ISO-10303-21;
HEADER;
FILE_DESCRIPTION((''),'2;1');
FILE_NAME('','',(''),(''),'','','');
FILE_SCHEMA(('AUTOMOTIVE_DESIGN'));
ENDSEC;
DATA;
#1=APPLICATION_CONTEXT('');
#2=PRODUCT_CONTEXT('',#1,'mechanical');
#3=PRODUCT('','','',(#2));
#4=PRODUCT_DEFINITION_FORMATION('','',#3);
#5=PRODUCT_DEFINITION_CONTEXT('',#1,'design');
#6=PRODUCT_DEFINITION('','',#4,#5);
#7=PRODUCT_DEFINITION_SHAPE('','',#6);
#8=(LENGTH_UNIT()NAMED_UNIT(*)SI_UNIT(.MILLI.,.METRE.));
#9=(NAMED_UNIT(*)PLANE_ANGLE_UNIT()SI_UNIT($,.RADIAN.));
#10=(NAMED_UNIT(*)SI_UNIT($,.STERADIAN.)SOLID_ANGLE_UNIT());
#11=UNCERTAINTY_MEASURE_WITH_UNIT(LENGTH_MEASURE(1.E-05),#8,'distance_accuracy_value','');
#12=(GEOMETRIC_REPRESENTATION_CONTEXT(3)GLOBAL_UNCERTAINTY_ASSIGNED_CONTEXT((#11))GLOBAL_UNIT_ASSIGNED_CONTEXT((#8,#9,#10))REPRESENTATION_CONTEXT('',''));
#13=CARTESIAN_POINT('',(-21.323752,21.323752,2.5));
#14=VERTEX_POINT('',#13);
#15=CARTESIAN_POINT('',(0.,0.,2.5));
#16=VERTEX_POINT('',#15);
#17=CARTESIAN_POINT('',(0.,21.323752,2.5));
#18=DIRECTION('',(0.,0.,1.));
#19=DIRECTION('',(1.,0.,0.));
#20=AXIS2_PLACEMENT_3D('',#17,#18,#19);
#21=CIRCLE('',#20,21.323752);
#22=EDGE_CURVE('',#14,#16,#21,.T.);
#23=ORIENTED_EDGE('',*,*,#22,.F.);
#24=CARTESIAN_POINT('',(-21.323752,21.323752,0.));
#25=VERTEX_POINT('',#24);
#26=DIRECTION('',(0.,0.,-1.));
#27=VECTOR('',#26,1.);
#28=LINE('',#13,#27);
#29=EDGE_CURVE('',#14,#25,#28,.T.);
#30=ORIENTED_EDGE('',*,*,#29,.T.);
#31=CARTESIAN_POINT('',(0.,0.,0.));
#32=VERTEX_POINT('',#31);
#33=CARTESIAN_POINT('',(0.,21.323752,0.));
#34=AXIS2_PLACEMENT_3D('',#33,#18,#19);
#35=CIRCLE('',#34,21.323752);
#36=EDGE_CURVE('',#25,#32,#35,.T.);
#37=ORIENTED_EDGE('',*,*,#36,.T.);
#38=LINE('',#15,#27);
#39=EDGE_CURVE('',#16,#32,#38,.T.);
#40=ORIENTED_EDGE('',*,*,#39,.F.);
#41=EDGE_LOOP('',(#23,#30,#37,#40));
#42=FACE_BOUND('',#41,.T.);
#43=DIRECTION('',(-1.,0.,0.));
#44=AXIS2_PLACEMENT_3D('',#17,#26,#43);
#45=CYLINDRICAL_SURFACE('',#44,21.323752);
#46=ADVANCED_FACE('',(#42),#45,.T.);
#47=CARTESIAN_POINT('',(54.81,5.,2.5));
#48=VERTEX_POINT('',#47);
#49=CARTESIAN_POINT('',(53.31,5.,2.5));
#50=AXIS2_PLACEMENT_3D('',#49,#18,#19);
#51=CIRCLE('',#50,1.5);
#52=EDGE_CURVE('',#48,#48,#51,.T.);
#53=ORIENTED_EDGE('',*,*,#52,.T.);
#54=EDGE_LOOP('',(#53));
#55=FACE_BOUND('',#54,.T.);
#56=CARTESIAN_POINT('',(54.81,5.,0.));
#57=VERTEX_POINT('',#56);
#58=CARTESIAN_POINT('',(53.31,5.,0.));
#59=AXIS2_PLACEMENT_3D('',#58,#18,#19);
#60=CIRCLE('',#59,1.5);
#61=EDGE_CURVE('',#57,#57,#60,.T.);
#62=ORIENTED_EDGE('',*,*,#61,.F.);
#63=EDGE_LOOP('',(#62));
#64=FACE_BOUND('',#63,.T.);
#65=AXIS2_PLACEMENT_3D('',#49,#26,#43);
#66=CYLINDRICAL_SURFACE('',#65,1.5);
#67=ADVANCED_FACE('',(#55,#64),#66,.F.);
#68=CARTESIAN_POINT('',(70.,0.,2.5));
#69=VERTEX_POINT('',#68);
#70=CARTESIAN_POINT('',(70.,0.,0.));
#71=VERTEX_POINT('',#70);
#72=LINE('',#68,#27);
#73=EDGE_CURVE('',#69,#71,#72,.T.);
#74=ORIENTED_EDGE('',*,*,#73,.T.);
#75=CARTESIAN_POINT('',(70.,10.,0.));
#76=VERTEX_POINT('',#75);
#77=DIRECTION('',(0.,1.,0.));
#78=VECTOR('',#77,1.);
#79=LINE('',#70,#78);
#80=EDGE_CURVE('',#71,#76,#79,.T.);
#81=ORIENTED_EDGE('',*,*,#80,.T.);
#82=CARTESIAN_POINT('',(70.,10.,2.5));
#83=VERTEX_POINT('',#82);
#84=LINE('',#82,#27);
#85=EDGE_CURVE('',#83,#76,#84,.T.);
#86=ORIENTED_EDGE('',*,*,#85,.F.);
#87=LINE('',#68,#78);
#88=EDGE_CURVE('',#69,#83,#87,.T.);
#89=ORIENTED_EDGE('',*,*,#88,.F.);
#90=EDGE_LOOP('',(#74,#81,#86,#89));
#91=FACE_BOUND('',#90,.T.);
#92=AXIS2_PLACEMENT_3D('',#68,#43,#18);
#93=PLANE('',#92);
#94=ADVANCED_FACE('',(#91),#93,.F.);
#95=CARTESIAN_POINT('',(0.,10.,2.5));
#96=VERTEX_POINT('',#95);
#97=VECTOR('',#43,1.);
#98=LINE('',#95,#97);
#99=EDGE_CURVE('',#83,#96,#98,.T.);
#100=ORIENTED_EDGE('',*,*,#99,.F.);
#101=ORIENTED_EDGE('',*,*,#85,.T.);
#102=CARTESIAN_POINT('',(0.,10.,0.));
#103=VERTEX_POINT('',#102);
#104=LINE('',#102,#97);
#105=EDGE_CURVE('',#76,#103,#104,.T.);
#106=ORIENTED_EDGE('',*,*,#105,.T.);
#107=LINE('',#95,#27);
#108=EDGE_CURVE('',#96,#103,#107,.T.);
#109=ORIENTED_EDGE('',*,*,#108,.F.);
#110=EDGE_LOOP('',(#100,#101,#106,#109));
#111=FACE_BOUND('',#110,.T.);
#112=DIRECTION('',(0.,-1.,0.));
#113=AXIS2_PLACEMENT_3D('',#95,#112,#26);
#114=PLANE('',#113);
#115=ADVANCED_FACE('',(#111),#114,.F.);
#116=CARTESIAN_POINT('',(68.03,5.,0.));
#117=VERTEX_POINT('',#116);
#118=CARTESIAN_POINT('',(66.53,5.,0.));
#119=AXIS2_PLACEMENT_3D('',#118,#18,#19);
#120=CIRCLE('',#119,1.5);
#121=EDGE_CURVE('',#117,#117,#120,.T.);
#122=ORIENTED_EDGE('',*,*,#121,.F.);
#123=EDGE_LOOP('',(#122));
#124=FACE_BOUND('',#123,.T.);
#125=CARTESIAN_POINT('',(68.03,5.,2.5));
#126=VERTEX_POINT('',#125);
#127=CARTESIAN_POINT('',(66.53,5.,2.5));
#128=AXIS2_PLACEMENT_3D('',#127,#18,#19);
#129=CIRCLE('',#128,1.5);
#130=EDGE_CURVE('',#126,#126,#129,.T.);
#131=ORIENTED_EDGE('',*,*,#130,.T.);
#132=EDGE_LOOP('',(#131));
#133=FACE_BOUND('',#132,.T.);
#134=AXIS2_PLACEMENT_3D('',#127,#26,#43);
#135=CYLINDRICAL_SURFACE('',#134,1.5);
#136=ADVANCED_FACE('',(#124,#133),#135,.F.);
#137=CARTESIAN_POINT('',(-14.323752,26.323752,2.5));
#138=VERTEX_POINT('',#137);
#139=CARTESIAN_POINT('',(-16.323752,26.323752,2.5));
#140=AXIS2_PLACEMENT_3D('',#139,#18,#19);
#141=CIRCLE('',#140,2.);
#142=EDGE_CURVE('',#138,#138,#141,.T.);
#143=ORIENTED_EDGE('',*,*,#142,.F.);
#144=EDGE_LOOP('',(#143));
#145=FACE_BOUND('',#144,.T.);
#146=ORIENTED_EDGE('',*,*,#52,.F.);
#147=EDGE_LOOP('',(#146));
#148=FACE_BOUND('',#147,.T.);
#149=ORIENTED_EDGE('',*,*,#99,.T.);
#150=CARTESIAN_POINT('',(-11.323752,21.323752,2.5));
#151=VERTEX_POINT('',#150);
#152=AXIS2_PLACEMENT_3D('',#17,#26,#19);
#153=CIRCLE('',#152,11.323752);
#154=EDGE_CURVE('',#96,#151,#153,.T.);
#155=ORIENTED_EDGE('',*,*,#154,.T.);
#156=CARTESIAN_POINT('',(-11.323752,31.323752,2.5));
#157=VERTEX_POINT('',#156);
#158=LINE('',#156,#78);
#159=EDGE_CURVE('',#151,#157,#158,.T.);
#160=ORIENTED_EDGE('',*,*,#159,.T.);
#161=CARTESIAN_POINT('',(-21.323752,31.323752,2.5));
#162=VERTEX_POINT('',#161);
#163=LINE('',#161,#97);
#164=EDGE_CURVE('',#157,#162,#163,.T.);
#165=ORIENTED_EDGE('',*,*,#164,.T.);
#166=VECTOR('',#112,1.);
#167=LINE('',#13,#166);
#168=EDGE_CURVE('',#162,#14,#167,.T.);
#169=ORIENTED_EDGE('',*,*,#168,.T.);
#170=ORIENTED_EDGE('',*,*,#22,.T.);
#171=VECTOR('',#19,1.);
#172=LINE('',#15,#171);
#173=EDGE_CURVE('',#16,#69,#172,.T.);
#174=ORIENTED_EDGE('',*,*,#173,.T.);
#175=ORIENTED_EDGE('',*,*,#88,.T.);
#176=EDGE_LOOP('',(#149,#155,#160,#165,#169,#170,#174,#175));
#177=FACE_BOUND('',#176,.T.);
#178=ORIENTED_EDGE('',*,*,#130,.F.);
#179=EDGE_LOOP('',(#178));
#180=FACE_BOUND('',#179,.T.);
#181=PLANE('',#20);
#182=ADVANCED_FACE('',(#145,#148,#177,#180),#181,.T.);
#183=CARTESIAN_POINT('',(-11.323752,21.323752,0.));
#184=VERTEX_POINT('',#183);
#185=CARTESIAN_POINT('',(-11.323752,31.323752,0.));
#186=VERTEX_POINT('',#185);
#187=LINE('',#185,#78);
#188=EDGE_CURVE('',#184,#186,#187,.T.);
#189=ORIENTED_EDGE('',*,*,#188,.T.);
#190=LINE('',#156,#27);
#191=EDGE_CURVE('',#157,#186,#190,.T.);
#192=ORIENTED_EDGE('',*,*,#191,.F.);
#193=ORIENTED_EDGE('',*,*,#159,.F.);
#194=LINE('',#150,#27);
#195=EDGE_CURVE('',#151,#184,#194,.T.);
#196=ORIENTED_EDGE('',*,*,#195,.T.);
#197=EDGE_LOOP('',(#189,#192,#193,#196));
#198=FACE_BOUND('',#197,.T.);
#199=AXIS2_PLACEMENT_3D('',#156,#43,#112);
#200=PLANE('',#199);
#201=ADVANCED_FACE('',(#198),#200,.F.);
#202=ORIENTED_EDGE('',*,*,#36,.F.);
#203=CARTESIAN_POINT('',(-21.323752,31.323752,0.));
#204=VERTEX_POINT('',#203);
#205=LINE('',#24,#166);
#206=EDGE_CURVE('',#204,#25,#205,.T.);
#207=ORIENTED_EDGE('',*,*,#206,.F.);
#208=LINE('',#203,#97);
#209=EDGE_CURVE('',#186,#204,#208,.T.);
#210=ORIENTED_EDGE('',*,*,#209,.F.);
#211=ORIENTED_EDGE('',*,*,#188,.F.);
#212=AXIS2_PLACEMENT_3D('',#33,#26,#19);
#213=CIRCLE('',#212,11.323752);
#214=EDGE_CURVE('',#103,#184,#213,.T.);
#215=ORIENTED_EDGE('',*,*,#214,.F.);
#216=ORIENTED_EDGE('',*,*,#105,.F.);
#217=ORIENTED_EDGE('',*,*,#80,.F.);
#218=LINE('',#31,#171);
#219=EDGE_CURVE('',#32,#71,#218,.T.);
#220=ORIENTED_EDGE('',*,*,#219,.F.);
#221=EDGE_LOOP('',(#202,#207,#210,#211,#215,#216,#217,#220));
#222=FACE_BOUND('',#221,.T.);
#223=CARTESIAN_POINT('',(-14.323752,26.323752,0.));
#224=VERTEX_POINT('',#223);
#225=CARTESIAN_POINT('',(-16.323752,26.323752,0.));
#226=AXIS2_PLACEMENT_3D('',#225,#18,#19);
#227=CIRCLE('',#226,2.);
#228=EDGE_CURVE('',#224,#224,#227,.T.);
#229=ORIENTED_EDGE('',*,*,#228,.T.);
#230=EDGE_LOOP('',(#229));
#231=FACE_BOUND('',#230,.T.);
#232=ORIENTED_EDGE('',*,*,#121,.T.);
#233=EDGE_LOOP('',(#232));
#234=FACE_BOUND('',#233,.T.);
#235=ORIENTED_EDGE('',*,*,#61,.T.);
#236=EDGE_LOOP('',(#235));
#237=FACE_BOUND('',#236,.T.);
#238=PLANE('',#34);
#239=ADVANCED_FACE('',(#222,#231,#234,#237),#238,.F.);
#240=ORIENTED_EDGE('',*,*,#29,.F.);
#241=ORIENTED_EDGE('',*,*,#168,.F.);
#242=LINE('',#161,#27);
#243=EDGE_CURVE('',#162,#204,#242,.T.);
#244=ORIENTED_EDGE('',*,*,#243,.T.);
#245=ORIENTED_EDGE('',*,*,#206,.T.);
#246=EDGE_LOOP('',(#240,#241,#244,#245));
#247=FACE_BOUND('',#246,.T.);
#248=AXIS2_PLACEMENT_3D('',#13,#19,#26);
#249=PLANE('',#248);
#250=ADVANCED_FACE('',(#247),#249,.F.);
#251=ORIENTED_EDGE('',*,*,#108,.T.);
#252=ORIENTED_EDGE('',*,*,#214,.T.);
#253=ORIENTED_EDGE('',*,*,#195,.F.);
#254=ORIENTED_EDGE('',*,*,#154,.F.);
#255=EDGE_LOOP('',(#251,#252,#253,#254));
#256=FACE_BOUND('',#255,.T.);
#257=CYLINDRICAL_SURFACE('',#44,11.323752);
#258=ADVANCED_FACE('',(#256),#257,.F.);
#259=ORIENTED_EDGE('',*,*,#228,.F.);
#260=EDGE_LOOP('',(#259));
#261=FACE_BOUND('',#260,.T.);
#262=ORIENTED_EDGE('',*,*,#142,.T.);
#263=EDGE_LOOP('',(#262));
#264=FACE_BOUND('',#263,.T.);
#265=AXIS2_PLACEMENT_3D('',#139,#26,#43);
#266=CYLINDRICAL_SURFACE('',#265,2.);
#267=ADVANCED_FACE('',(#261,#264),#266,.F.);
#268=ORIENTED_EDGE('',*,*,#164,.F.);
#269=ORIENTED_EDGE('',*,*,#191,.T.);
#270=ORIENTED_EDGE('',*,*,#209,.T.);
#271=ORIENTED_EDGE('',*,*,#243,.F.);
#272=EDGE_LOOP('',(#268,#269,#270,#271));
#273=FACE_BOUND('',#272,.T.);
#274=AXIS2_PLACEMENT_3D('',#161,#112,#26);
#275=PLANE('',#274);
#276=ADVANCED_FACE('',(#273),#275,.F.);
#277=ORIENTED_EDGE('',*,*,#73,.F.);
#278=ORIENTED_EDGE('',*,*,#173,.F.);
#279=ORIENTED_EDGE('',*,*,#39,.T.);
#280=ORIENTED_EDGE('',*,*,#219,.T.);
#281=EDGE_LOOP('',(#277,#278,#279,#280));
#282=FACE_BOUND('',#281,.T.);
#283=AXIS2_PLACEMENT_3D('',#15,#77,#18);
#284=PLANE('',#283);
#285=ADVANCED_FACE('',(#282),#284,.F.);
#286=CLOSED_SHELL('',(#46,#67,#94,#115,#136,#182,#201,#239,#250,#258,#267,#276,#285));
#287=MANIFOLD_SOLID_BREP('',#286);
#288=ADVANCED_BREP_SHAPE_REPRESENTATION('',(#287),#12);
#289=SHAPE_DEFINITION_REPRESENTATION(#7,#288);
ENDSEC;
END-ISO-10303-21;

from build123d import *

# Parameters (mm, degrees)
ESQUISSE1_R        = 2
ESQUISSE1_R_2      = 1.5
BOSS_EXTRU_1_DEPTH = 2.5


with BuildPart() as part:
    # Esquisse1 → Boss.-Extru.1 (new body)
    with BuildSketch(Plane.XY):
        with BuildLine():
            Line((0, 0), (70, 0))
            Line((70, 0), (70, 10))
            Line((70, 10), (0, 10))
            ThreePointArc((0, 10), (-8.007101932, 13.316650215), (-11.323752147, 21.323752147))
            Line((-11.323752147, 21.323752147), (-11.323752147, 31.323752147))
            Line((-11.323752147, 31.323752147), (-21.323752147, 31.323752147))
            Line((-21.323752147, 31.323752147), (-21.323752147, 21.323752147))
            ThreePointArc((-21.323752147, 21.323752147), (-15.078169744, 6.245582404), (0, 0))
        make_face()
        with Locations((-16.323752147, 26.323752147)):
            Circle(ESQUISSE1_R, mode=Mode.SUBTRACT)
        with Locations((66.53, 5)):
            Circle(ESQUISSE1_R_2, mode=Mode.SUBTRACT)
        with Locations((53.31, 5)):
            Circle(ESQUISSE1_R_2, mode=Mode.SUBTRACT)
    extrude(amount=BOSS_EXTRU_1_DEPTH)


solid = part.part
